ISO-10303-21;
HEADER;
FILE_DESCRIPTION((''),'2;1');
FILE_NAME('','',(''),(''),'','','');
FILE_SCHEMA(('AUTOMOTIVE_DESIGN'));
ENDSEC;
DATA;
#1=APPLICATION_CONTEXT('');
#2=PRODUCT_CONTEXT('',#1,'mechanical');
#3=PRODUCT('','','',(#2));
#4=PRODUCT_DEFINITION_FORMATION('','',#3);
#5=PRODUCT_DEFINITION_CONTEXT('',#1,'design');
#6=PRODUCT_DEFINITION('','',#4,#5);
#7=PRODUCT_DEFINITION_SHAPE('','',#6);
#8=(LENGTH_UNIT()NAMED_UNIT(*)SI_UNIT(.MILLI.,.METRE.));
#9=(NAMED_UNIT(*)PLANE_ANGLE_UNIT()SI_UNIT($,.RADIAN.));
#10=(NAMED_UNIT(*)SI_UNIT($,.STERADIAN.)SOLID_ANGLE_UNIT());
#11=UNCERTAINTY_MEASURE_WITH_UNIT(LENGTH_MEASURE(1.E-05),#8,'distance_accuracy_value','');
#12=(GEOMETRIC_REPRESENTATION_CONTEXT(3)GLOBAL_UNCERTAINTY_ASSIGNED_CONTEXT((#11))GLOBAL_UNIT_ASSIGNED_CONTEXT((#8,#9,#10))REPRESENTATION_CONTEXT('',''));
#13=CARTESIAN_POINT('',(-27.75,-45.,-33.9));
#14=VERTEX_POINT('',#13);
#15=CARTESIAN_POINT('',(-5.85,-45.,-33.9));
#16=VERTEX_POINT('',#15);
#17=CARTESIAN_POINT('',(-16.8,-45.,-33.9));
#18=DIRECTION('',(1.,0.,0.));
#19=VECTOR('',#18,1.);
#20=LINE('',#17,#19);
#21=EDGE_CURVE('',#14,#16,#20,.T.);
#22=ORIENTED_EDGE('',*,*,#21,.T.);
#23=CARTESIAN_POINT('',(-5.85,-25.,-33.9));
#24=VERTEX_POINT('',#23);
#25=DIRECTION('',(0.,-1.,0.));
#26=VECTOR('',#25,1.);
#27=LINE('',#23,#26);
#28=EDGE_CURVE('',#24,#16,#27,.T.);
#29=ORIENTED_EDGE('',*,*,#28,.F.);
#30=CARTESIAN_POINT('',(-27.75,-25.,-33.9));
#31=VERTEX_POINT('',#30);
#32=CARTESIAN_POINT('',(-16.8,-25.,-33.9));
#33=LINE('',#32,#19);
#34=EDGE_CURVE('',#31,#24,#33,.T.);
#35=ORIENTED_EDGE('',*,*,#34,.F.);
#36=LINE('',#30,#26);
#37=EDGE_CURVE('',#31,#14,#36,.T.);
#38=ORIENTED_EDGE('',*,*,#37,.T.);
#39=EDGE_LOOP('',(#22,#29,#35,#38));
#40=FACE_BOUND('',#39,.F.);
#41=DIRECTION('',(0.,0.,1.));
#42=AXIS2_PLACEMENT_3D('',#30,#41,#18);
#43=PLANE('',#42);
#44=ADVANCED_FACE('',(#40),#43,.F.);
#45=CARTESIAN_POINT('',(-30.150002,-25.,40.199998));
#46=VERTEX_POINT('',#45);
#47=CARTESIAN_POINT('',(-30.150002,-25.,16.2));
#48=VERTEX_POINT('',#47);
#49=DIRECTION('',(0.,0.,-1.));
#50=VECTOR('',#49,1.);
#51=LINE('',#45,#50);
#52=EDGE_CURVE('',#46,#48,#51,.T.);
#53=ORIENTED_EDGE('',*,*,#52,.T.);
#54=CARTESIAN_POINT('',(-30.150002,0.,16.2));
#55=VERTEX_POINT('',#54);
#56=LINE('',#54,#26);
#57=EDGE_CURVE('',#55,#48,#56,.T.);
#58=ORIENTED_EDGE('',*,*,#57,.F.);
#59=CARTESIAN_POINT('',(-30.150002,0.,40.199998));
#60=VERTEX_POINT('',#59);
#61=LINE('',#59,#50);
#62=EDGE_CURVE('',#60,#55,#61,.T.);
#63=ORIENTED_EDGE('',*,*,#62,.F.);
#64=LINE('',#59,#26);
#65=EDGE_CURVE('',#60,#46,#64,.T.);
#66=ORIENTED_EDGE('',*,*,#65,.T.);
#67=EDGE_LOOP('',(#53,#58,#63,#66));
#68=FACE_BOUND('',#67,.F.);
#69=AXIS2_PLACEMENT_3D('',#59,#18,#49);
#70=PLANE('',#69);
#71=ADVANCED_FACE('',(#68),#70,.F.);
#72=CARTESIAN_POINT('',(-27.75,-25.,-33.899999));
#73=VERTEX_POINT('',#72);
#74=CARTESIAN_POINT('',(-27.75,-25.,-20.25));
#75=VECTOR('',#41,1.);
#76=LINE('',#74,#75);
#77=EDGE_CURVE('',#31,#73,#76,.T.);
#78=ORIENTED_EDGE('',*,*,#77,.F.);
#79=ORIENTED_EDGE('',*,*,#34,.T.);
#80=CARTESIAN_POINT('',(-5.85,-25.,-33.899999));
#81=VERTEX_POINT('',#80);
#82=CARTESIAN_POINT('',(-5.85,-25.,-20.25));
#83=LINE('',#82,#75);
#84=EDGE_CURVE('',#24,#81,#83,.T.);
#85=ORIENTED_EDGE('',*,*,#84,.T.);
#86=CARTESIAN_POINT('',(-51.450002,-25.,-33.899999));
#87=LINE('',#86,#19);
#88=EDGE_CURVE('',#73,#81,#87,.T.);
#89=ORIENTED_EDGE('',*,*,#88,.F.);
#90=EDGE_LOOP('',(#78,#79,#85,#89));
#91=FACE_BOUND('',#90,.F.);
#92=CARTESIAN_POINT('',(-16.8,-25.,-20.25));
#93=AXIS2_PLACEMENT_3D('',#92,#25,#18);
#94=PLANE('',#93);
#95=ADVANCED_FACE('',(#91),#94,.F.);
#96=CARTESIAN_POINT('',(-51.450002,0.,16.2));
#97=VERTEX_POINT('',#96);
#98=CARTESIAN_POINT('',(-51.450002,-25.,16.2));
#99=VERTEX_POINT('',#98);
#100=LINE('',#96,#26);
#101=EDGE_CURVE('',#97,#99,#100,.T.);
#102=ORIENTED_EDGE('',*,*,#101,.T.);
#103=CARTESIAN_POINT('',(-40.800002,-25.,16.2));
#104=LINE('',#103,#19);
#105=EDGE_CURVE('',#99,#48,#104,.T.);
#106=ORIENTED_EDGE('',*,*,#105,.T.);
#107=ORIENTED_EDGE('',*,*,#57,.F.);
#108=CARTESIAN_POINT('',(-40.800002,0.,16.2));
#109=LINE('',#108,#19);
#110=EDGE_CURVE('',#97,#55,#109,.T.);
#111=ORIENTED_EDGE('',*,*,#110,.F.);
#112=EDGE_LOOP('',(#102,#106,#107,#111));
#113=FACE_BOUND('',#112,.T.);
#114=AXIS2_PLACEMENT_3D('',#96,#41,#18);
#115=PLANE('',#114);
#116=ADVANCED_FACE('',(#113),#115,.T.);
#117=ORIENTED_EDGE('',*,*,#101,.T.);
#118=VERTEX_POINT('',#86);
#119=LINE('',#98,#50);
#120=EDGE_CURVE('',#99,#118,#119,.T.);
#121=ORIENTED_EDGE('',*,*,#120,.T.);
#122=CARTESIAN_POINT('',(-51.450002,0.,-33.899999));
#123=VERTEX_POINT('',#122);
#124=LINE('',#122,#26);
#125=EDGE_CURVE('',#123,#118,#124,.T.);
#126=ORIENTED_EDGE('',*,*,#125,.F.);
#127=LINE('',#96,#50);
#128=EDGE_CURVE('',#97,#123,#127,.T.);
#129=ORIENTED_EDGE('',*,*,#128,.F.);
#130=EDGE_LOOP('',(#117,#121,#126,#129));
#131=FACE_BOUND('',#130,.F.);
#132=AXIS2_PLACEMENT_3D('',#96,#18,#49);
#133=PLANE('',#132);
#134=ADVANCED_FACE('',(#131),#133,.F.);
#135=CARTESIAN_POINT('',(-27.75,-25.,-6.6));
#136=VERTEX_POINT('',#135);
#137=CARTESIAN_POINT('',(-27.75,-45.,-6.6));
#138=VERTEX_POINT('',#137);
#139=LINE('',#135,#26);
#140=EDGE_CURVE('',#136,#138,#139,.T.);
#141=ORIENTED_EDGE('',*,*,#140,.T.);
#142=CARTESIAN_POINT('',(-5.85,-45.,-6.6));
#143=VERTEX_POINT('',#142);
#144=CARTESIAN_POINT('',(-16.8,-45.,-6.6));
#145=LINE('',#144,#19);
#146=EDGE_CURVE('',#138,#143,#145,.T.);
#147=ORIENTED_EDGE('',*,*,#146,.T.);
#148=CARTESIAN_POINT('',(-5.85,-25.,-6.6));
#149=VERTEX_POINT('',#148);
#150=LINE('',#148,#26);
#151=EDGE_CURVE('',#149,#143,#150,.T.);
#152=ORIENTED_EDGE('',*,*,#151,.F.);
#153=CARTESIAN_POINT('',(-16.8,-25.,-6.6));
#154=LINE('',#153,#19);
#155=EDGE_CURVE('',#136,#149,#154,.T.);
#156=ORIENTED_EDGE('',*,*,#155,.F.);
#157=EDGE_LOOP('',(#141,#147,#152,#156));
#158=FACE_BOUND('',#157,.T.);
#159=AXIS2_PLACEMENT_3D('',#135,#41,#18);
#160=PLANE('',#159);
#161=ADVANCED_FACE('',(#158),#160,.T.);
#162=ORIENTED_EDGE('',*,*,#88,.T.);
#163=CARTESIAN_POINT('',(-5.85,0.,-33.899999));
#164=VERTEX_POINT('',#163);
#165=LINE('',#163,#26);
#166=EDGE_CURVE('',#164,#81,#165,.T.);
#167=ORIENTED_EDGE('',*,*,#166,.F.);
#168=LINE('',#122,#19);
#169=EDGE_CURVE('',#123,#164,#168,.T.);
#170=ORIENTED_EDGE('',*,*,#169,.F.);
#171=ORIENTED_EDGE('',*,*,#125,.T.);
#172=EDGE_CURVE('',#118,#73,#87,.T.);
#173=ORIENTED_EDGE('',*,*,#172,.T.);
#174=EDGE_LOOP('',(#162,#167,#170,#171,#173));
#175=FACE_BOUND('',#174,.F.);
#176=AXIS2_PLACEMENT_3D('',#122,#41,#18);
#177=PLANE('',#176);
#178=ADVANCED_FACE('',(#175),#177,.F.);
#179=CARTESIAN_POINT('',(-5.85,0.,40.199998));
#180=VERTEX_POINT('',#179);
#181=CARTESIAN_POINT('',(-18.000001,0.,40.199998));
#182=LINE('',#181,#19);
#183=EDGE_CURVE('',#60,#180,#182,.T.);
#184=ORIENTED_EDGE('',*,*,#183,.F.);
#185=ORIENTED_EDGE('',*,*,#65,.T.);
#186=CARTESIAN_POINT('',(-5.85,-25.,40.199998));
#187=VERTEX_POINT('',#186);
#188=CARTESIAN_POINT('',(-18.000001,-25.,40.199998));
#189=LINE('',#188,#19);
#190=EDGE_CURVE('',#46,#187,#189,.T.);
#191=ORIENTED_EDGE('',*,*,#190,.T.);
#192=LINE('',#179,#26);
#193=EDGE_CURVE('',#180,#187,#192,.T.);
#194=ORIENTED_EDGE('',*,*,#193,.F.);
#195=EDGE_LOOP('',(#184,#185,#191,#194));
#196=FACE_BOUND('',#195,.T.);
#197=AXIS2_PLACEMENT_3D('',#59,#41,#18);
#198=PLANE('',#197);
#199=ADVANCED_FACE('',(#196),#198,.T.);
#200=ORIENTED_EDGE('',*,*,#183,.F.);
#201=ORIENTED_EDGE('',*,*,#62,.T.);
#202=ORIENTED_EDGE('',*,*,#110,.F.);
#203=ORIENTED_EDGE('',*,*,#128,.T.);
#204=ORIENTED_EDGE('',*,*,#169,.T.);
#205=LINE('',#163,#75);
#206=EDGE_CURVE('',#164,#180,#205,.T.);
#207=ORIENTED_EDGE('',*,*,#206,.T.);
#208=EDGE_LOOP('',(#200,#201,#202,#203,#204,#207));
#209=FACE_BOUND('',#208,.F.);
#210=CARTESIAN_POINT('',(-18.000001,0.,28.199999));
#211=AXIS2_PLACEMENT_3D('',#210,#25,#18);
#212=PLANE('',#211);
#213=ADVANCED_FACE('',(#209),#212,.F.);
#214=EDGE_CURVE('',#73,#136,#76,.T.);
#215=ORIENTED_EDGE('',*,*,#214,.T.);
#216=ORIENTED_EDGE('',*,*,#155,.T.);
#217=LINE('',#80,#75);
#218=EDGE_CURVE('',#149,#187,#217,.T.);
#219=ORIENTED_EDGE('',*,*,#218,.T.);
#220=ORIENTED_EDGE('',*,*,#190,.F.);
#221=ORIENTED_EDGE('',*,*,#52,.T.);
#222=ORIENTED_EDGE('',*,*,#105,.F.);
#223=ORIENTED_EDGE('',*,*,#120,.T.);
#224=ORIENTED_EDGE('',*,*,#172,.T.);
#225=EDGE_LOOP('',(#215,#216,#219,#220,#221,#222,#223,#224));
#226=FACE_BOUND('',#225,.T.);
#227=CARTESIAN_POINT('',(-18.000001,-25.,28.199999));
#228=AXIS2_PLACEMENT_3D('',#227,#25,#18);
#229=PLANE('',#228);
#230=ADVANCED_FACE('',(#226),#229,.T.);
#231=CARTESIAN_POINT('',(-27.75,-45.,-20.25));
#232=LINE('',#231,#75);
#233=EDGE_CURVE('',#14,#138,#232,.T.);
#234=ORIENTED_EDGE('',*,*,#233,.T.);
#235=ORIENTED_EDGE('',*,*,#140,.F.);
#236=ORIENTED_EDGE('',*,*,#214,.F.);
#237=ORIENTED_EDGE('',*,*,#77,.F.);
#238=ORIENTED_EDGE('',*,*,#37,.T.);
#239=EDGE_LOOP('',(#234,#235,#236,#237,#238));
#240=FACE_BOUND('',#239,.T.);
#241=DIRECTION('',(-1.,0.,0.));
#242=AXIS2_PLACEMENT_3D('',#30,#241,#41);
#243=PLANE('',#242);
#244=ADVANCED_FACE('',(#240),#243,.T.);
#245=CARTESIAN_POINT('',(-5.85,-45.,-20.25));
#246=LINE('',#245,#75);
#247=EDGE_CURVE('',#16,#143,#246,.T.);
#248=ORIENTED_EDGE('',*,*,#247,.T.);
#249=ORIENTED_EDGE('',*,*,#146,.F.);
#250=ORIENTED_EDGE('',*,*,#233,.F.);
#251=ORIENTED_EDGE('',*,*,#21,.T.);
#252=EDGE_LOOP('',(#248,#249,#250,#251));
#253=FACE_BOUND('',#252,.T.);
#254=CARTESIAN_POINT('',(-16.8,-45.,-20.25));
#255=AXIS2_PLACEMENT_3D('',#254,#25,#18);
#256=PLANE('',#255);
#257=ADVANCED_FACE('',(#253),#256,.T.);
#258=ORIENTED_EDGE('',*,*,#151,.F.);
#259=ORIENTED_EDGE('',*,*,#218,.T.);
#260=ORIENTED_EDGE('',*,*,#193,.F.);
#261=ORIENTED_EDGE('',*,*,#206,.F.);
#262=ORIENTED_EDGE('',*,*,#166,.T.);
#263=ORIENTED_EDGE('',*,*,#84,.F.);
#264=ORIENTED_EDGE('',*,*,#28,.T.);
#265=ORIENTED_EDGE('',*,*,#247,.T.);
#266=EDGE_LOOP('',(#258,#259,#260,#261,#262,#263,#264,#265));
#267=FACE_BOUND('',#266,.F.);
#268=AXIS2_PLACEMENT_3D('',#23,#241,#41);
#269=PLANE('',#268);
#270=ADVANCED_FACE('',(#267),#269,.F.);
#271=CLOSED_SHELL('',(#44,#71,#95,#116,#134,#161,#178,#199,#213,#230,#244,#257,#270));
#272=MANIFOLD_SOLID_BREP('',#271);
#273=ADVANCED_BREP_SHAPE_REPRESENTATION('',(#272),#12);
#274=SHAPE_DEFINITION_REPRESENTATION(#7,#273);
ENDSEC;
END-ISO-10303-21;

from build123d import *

# Parameters (mm, degrees)
F0_W     = 24.300002
F0_H     = 23.999999
F0_H_2   = 24.600001
F0_W_2   = 21.300001
F0_H_3   = 25.499999
F1_DEPTH = 25
F2_W     = 21.9
F2_H     = 27.3
F3_DEPTH = 20


with BuildPart() as f1:
    # F0 (on Front) → F1 (new body)
    with BuildSketch(Plane.XZ):
        with Locations((-18.000001, 28.199999)):
            Rectangle(F0_W, F0_H)
        with Locations((-18.000001, 3.899999)):
            Rectangle(F0_W, F0_H_2)
        with Locations((-40.800002, 3.899999)):
            Rectangle(F0_W_2, F0_H_2)
        with Locations((-18.000001, -21.15)):
            Rectangle(F0_W, F0_H_3)
        with Locations((-40.800002, -21.15)):
            Rectangle(F0_W_2, F0_H_3)
    extrude(amount=F1_DEPTH)

    # F2 (on face) → F3 (join)
    with BuildSketch(Plane.XZ.offset(25)):
        with Locations((-16.8, -20.25)):
            Rectangle(F2_W, F2_H)
    extrude(amount=F3_DEPTH)


solid = f1.part
